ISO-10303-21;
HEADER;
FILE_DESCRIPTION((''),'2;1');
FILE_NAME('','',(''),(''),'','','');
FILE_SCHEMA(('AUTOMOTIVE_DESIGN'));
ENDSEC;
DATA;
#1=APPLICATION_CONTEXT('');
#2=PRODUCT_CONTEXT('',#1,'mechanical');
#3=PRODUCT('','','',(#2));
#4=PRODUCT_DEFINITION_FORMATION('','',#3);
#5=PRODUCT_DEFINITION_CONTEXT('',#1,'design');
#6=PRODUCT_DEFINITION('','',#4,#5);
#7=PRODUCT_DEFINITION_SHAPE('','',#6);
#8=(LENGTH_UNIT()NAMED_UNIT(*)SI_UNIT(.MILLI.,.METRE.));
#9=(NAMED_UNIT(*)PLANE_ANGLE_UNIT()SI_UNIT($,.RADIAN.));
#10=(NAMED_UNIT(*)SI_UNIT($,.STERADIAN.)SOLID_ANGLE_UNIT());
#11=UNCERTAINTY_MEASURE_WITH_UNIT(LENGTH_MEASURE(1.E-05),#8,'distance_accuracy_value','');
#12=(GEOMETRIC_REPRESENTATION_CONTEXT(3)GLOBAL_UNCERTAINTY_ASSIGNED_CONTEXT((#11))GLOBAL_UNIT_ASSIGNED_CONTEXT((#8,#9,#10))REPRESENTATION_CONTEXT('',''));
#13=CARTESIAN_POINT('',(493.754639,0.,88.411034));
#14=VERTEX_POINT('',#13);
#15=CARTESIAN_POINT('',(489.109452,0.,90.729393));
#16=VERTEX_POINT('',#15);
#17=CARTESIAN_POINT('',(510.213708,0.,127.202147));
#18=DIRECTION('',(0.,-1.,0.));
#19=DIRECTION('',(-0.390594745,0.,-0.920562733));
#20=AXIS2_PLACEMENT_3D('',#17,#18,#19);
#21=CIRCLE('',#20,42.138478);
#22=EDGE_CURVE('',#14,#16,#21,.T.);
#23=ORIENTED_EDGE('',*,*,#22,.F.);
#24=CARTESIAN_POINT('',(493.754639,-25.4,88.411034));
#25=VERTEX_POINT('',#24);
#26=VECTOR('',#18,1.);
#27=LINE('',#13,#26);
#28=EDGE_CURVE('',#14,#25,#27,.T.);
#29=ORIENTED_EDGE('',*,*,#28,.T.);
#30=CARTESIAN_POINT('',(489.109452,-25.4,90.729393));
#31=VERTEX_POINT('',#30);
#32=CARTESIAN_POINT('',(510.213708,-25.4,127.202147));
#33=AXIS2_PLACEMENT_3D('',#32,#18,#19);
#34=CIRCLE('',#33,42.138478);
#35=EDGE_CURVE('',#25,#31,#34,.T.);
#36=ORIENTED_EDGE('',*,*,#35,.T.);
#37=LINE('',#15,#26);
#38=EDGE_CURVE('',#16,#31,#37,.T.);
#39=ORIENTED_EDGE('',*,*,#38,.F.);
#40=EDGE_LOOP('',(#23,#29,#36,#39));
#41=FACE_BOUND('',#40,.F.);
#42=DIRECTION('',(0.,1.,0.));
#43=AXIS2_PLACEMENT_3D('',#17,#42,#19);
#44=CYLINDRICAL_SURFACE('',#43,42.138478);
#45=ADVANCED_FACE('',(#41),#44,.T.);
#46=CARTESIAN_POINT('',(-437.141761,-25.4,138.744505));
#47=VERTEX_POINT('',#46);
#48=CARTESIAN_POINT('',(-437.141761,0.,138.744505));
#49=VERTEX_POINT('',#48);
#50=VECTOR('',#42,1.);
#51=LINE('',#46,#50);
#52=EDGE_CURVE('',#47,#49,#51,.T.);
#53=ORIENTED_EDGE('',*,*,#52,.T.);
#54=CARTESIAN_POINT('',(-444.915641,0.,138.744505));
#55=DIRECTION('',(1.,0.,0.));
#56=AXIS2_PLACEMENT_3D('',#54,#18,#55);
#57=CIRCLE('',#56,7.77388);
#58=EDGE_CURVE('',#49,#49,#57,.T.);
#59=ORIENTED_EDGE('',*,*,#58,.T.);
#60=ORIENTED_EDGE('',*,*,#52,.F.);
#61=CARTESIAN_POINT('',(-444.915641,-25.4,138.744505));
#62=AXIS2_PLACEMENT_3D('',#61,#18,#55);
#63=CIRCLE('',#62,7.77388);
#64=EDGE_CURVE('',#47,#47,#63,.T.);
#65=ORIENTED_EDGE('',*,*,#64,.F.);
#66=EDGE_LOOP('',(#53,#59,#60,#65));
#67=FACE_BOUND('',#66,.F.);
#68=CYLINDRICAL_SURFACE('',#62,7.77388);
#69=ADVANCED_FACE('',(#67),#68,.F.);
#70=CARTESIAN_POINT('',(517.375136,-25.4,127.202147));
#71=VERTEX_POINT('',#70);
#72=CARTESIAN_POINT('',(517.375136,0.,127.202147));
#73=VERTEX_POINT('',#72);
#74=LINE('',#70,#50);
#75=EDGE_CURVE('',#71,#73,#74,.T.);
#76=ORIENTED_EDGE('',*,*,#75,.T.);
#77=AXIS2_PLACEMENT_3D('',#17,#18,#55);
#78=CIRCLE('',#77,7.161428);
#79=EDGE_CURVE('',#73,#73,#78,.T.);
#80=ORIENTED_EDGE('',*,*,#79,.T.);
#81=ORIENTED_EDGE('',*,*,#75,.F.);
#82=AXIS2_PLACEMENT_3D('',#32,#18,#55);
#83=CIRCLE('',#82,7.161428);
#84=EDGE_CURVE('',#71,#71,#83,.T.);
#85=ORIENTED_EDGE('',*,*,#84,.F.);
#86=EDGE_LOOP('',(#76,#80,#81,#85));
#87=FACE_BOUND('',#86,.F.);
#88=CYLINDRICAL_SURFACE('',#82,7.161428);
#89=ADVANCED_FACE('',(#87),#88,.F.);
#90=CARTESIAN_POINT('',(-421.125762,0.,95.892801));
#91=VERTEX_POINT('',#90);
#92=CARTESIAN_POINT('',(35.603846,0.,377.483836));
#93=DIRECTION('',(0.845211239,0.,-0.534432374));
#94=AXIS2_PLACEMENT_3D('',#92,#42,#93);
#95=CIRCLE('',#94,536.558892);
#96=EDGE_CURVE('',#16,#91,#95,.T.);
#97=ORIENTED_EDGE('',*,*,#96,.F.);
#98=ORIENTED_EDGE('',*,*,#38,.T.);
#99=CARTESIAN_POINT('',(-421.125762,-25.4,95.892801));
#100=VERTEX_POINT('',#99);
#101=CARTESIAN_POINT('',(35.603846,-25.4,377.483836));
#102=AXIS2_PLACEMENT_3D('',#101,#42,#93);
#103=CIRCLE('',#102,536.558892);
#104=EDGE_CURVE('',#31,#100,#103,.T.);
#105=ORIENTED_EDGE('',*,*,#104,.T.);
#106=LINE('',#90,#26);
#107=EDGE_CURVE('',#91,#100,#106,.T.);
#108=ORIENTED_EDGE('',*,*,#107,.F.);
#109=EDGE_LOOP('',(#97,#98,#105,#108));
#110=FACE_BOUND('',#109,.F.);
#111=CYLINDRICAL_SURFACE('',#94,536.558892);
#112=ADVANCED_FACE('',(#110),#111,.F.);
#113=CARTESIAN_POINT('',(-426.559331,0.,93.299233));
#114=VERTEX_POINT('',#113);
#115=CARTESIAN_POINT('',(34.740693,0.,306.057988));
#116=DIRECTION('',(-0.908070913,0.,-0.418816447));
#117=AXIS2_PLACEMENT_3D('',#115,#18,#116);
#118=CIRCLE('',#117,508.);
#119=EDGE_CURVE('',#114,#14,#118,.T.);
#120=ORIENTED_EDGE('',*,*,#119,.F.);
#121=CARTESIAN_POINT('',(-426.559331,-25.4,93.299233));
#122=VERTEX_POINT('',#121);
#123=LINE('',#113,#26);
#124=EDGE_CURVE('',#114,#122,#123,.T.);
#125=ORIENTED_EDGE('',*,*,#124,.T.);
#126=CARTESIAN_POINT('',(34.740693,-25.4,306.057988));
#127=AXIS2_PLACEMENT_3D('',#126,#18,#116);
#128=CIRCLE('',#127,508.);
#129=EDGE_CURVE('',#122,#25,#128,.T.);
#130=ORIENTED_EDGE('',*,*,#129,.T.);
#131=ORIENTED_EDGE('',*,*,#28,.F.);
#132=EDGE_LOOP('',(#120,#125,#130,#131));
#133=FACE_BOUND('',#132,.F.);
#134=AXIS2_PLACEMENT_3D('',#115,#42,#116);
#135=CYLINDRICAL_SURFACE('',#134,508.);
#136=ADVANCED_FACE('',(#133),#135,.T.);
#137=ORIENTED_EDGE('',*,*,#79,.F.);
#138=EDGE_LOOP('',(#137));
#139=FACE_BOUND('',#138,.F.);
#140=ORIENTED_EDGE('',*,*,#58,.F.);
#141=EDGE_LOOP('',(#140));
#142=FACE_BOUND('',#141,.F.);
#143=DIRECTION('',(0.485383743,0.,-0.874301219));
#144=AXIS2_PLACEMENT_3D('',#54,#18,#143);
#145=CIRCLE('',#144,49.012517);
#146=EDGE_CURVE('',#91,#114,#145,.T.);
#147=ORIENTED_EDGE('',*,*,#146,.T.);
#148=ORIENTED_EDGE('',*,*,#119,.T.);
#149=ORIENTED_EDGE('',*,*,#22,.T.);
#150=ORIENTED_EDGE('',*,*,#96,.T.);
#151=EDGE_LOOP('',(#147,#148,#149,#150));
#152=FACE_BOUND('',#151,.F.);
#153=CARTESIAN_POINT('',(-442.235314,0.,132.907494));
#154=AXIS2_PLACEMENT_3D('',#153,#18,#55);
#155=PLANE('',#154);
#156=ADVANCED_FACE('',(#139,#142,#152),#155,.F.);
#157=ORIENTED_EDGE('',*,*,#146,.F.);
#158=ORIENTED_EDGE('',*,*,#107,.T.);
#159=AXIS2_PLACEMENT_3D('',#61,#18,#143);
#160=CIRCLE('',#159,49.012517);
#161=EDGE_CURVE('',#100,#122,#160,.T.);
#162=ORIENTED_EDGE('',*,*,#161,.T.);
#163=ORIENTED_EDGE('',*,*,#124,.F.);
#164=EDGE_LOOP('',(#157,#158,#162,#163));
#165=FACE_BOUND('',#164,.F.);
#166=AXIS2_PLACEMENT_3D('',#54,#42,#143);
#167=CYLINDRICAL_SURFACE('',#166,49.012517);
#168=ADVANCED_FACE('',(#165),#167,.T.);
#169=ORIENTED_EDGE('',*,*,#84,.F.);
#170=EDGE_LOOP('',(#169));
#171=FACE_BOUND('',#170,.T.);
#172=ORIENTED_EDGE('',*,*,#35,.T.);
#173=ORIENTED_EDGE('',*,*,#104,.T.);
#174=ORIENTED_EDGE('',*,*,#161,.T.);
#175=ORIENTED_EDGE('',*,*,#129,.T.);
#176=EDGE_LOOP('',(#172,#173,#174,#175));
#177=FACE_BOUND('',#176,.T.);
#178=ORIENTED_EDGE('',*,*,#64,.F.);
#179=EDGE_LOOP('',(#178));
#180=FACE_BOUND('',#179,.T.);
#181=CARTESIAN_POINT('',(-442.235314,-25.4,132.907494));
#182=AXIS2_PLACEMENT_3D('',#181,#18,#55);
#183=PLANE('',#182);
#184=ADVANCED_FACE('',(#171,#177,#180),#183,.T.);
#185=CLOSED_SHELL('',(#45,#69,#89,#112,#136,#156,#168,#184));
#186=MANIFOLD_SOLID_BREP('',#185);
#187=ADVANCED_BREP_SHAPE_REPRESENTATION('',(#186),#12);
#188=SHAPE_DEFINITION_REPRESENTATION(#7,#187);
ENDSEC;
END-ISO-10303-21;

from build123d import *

# Parameters (mm, degrees)
F1_DEPTH = 25.4
F2_R     = 7.7738800252
F2_R_2   = 7.1614283573
F3_DEPTH = 30.734


with BuildPart() as f1:
    # F0 (on Front) → F1 (new body)
    with BuildSketch(Plane.XZ):
        with BuildLine():
            ThreePointArc((-421.1257619628, 95.8928011135), (-402.6768632391, 113.8826363849), (-395.9031238349, 138.744504611))
            ThreePointArc((-395.9031238349, 138.744504611), (-485.5476220529, 166.1537904248), (-426.5593313822, 93.2992327545))
            ThreePointArc((-426.5593313822, 93.2992327545), (-436.2858829635, 115.8003595837), (-444.9156409679, 138.744504611))
            ThreePointArc((-444.9156409679, 138.744504611), (-433.510248449, 117.0468722197), (-421.1257619628, 95.8928011135))
        make_face()
        with BuildLine():
            ThreePointArc((-444.9156409679, 138.744504611), (-436.2858829635, 115.8003595837), (-426.5593313822, 93.2992327545))
            ThreePointArc((-426.5593313822, 93.2992327545), (-423.8026839891, 94.5125039404), (-421.1257619628, 95.8928011135))
            ThreePointArc((-421.1257619628, 95.8928011135), (-433.510248449, 117.0468722197), (-444.9156409679, 138.744504611))
        make_face()
        with BuildLine():
            ThreePointArc((-421.1257619628, 95.8928011135), (-423.8026839891, 94.5125039404), (-426.5593313822, 93.2992327545))
            ThreePointArc((-426.5593313822, 93.2992327545), (32.0425155004, -201.9348464978), (493.7546393554, 88.4110337923))
            ThreePointArc((493.7546393554, 88.4110337923), (491.3963079726, 89.4986078851), (489.109451649, 90.7293931925))
            ThreePointArc((489.109451649, 90.7293931925), (32.5602059948, -159.0664242065), (-421.1257619628, 95.8928011135))
        make_face()
        with BuildLine():
            ThreePointArc((510.2137075671, 127.2021465408), (502.3865607678, 107.635857242), (493.7546393554, 88.4110337923))
            ThreePointArc((493.7546393554, 88.4110337923), (533.4740952009, 92.0651899027), (552.3521858816, 127.2021465408))
            ThreePointArc((552.3521858816, 127.2021465408), (489.161984071, 163.7052463065), (489.109451649, 90.7293931925))
            ThreePointArc((489.109451649, 90.7293931925), (500.0197647143, 108.7585129569), (510.2137075671, 127.2021465408))
        make_face()
        with BuildLine():
            ThreePointArc((489.109451649, 90.7293931925), (491.3963079726, 89.4986078851), (493.7546393554, 88.4110337923))
            ThreePointArc((493.7546393554, 88.4110337923), (502.3865607678, 107.635857242), (510.2137075671, 127.2021465408))
            ThreePointArc((510.2137075671, 127.2021465408), (500.0197647143, 108.7585129569), (489.109451649, 90.7293931925))
        make_face()
    extrude(amount=F1_DEPTH)

    # F2 (on face) → F3 (cut)
    with BuildSketch(Plane.XZ.offset(25.4)):
        with Locations((-444.9156409679, 138.744504611)):
            Circle(F2_R)
        with Locations((510.2137075671, 127.2021465408)):
            Circle(F2_R_2)
    extrude(amount=-F3_DEPTH, mode=Mode.SUBTRACT)


solid = f1.part
